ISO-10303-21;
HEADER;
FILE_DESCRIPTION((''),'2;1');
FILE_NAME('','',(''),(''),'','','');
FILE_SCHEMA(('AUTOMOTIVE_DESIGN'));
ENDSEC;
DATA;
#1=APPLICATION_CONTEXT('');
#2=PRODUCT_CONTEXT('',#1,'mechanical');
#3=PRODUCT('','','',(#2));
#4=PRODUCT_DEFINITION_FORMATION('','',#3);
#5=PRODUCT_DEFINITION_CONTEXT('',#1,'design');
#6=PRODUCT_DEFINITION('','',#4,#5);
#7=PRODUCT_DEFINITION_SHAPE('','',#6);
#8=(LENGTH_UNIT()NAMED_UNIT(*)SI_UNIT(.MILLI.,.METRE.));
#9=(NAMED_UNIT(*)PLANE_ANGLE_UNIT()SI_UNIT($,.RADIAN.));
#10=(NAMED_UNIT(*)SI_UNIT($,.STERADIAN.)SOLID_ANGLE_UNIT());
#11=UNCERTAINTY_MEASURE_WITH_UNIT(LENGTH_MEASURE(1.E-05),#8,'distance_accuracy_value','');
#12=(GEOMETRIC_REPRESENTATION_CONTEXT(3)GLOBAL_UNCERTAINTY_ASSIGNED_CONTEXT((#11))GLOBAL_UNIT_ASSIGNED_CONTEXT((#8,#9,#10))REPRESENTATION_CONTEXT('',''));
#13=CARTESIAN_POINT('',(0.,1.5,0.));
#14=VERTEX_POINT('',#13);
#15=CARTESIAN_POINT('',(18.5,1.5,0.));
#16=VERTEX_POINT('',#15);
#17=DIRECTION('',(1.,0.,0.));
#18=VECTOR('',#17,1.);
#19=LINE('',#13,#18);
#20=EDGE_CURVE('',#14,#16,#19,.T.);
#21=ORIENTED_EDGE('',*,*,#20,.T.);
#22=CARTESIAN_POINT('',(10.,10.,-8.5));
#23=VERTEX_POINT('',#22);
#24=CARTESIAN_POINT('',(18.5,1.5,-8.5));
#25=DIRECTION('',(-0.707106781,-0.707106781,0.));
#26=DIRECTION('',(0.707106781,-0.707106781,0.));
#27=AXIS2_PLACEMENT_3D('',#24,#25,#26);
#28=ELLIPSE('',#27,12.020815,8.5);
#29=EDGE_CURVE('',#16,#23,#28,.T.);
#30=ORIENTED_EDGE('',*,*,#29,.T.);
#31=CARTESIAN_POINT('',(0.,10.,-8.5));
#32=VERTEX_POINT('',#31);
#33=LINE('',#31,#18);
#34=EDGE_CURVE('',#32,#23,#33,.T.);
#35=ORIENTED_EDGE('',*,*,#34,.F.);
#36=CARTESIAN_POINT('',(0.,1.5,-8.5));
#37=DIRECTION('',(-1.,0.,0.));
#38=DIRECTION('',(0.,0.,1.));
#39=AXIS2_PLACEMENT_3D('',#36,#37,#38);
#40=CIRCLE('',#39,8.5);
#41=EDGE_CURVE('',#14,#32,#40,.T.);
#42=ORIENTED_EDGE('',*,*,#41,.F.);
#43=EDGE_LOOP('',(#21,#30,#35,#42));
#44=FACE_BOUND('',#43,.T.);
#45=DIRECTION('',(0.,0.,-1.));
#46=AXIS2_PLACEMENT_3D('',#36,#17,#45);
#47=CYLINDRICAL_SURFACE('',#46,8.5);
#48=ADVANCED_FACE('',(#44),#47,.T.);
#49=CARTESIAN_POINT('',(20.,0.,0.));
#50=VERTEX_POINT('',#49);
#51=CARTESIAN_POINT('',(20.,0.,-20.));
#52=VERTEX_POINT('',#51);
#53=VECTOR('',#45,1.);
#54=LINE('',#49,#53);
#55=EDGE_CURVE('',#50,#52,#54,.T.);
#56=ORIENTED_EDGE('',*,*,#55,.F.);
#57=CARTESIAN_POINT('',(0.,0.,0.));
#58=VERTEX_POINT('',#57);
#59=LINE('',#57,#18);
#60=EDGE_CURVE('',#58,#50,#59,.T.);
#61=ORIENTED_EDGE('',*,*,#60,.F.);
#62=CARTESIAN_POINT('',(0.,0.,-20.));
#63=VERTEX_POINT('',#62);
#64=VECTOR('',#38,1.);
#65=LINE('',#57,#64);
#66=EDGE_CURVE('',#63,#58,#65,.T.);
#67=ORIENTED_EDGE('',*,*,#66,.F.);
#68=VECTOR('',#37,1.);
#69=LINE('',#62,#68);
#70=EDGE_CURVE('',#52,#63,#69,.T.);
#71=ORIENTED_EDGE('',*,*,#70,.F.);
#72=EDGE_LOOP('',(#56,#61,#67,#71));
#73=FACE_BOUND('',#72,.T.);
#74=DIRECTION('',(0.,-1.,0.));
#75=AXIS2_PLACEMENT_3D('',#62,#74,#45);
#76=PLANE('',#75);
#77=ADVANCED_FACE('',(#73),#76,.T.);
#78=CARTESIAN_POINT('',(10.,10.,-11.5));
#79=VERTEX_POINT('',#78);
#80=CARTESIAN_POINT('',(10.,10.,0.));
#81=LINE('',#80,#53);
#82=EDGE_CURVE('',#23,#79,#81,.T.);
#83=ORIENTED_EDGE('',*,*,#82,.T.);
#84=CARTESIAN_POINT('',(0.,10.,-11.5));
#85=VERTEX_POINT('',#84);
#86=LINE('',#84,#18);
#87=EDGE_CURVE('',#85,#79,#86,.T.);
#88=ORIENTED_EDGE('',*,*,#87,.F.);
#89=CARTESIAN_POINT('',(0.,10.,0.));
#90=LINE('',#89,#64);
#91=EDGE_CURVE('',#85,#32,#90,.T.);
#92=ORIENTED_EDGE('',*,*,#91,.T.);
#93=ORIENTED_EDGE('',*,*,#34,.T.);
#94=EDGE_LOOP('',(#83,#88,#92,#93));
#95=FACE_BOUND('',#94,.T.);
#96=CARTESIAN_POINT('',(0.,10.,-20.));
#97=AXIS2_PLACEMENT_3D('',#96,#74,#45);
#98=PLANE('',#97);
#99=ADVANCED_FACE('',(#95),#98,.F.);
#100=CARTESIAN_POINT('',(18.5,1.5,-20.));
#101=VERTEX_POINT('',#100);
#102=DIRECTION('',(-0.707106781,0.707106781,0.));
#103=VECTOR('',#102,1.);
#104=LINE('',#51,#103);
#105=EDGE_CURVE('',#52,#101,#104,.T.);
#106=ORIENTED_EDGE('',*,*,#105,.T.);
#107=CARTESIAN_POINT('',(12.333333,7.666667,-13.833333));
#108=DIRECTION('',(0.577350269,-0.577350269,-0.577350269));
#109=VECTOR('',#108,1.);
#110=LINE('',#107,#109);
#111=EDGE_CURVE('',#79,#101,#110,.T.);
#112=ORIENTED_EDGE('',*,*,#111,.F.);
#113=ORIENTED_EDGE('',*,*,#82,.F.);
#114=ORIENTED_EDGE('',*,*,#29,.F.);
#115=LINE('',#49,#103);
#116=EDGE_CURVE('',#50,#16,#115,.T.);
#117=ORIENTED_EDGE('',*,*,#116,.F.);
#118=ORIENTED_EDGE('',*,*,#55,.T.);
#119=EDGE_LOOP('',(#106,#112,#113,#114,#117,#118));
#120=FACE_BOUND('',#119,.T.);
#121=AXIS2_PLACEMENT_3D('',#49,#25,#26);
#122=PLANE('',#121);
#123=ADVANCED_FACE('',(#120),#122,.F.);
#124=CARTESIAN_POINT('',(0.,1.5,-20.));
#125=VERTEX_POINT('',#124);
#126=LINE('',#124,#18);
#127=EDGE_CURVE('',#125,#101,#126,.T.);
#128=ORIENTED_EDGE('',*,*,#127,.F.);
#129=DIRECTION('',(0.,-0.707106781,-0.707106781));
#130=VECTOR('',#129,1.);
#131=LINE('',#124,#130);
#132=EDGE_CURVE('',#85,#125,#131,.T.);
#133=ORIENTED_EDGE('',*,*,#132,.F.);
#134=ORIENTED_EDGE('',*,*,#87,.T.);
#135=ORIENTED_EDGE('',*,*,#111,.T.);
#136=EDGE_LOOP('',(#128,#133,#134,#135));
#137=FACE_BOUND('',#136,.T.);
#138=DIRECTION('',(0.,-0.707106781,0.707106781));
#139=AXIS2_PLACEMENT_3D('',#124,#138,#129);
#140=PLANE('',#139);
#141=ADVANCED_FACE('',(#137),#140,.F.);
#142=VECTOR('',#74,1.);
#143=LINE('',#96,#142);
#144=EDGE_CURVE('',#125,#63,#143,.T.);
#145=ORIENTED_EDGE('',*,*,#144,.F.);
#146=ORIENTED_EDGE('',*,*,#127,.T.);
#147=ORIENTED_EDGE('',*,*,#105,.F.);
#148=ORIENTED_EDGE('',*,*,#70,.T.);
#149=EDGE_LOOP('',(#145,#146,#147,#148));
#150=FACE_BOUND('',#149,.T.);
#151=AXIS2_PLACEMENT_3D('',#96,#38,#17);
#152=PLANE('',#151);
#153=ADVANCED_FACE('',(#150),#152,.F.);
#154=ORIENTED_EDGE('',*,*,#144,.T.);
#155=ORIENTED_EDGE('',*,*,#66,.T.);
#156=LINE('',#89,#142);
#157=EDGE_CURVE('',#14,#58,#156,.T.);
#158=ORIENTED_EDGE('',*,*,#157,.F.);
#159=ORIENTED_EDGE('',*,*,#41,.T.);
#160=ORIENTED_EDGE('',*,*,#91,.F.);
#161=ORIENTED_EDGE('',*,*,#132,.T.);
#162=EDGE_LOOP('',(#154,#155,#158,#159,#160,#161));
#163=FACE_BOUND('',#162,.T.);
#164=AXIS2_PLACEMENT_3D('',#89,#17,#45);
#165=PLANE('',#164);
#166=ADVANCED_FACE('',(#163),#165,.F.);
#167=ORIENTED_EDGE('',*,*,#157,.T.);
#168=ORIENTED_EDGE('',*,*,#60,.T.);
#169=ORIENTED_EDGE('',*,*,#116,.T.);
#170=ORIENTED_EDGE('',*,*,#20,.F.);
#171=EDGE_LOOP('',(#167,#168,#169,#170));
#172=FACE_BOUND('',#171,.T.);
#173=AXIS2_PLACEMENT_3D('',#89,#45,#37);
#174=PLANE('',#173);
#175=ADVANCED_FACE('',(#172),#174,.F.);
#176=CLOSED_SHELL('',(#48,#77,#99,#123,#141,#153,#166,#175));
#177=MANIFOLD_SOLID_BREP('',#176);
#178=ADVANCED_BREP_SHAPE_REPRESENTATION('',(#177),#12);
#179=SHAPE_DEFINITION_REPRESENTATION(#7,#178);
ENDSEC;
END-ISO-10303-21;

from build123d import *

# Parameters (mm, degrees)
SKETCH1_W           = 20
SKETCH1_H           = 20
BOSS_EXTRUDE1_DEPTH = 10
CUT_EXTRUDE1_DEPTH  = 21
CUT_EXTRUDE2_DEPTH  = 21


with BuildPart() as part:
    # Sketch1 → Boss-Extrude1 (new body)
    with BuildSketch(Plane(origin=(0, 0, 0), x_dir=(1, 0, 0), z_dir=(0, 1, 0))):
        with Locations((10, 10)):
            Rectangle(SKETCH1_W, SKETCH1_H)
    extrude(amount=BOSS_EXTRUDE1_DEPTH)

    # Sketch2 → Cut-Extrude1 (cut, through all)
    with BuildSketch(Plane(origin=(20, 0, 0), x_dir=(0, 0, -1), z_dir=(1, 0, 0))):
        Polygon((20, 1.5), (11.5, 10), (20, 10), align=None)
        with BuildLine():
            Line((0, 1.5), (0, 10))
            Line((0, 10), (8.5, 10))
            ThreePointArc((8.5, 10), (2.48959236, 7.51040764), (0, 1.5))
        make_face()
    extrude(amount=-CUT_EXTRUDE1_DEPTH, mode=Mode.SUBTRACT)

    # Sketch3 → Cut-Extrude2 (cut, through all)
    with BuildSketch(Plane(origin=(0, 0, -20), x_dir=(-1, 0, 0), z_dir=(0, 0, -1))):
        Polygon((-20, 0), (-10, 10), (-20, 10), align=None)
    extrude(amount=-CUT_EXTRUDE2_DEPTH, mode=Mode.SUBTRACT)


solid = part.part
